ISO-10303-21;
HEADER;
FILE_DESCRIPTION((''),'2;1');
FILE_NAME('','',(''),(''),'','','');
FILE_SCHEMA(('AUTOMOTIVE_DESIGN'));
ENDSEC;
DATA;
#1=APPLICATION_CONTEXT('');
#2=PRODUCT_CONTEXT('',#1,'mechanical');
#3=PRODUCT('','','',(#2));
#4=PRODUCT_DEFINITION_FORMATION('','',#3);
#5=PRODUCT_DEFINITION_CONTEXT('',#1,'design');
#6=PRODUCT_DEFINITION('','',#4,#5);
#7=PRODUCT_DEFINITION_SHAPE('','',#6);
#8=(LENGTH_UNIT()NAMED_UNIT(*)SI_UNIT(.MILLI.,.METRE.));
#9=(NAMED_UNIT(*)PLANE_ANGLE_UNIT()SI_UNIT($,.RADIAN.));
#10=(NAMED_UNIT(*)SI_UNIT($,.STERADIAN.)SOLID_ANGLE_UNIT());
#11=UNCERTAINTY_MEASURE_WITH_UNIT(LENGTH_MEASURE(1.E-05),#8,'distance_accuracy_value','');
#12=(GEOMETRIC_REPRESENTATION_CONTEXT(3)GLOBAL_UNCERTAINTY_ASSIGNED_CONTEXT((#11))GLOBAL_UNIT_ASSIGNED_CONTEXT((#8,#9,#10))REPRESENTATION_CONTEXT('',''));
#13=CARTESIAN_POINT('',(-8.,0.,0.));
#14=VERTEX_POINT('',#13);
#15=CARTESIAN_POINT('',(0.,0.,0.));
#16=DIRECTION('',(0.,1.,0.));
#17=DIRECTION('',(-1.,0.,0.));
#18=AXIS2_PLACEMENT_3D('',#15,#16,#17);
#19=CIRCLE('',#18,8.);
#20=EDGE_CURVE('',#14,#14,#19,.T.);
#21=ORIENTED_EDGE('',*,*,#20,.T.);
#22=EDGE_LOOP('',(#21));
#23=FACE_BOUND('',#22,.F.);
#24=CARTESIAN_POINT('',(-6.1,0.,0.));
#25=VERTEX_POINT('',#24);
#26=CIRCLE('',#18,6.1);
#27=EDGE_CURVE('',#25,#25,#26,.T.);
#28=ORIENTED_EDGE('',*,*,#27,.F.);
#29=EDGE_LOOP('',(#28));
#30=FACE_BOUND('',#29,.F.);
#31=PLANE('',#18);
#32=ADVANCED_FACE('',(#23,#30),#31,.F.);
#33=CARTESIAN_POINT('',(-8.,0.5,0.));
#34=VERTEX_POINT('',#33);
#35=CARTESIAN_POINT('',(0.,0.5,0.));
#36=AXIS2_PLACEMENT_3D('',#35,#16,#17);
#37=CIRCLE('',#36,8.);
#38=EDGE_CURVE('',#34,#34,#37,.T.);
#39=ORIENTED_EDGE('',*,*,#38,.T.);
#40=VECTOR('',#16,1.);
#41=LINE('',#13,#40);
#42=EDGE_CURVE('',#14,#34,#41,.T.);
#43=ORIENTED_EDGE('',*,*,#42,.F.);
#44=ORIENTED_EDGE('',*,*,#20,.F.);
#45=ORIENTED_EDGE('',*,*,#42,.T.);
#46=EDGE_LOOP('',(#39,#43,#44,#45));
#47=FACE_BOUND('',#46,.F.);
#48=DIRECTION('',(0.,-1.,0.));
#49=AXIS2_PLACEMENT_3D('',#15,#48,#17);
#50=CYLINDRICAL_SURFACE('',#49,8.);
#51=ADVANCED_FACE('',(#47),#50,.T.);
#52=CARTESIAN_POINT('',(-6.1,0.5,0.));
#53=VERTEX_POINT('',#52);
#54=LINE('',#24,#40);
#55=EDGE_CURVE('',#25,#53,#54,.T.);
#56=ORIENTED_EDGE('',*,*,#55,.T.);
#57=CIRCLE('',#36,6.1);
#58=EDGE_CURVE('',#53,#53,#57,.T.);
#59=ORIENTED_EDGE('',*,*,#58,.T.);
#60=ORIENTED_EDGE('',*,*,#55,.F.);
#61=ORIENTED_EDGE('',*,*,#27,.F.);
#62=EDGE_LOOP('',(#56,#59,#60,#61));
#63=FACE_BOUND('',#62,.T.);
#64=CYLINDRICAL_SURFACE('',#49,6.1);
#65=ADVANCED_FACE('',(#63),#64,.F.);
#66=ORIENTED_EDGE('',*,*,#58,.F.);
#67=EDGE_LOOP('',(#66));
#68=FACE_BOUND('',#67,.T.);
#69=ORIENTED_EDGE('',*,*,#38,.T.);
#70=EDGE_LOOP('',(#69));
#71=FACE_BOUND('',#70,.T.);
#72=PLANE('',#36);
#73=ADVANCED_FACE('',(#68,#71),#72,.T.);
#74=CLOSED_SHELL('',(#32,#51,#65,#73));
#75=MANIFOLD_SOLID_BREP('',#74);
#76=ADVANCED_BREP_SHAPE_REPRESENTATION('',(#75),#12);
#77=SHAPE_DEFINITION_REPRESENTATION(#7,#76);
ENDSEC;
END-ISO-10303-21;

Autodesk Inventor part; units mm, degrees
ref_plane "YZ Plane" through (0, 0, 0) normal (1, 0, 0) x (0, 1, 0)
ref_plane "XZ Plane" through (0, 0, 0) normal (0, 1, 0) x (-1, 0, 0)
ref_plane "XY Plane" through (0, 0, 0) normal (0, 0, 1) x (1, 0, 0)
sketch "Sketch1" plane through (0, 0, 0) normal (0, 1, 0) x (-1, 0, 0)
  circle A0 centre (0, 0) radius 8
  circle A1 centre (0, 0) radius 6.1
  dimension "d0" = 16
  dimension "d1" = 12.2
extrude "Extrusion1" add sketch "Sketch1" along normal blind 0.5
properties part number "Sprung Button AntiVib M12 Washer"
